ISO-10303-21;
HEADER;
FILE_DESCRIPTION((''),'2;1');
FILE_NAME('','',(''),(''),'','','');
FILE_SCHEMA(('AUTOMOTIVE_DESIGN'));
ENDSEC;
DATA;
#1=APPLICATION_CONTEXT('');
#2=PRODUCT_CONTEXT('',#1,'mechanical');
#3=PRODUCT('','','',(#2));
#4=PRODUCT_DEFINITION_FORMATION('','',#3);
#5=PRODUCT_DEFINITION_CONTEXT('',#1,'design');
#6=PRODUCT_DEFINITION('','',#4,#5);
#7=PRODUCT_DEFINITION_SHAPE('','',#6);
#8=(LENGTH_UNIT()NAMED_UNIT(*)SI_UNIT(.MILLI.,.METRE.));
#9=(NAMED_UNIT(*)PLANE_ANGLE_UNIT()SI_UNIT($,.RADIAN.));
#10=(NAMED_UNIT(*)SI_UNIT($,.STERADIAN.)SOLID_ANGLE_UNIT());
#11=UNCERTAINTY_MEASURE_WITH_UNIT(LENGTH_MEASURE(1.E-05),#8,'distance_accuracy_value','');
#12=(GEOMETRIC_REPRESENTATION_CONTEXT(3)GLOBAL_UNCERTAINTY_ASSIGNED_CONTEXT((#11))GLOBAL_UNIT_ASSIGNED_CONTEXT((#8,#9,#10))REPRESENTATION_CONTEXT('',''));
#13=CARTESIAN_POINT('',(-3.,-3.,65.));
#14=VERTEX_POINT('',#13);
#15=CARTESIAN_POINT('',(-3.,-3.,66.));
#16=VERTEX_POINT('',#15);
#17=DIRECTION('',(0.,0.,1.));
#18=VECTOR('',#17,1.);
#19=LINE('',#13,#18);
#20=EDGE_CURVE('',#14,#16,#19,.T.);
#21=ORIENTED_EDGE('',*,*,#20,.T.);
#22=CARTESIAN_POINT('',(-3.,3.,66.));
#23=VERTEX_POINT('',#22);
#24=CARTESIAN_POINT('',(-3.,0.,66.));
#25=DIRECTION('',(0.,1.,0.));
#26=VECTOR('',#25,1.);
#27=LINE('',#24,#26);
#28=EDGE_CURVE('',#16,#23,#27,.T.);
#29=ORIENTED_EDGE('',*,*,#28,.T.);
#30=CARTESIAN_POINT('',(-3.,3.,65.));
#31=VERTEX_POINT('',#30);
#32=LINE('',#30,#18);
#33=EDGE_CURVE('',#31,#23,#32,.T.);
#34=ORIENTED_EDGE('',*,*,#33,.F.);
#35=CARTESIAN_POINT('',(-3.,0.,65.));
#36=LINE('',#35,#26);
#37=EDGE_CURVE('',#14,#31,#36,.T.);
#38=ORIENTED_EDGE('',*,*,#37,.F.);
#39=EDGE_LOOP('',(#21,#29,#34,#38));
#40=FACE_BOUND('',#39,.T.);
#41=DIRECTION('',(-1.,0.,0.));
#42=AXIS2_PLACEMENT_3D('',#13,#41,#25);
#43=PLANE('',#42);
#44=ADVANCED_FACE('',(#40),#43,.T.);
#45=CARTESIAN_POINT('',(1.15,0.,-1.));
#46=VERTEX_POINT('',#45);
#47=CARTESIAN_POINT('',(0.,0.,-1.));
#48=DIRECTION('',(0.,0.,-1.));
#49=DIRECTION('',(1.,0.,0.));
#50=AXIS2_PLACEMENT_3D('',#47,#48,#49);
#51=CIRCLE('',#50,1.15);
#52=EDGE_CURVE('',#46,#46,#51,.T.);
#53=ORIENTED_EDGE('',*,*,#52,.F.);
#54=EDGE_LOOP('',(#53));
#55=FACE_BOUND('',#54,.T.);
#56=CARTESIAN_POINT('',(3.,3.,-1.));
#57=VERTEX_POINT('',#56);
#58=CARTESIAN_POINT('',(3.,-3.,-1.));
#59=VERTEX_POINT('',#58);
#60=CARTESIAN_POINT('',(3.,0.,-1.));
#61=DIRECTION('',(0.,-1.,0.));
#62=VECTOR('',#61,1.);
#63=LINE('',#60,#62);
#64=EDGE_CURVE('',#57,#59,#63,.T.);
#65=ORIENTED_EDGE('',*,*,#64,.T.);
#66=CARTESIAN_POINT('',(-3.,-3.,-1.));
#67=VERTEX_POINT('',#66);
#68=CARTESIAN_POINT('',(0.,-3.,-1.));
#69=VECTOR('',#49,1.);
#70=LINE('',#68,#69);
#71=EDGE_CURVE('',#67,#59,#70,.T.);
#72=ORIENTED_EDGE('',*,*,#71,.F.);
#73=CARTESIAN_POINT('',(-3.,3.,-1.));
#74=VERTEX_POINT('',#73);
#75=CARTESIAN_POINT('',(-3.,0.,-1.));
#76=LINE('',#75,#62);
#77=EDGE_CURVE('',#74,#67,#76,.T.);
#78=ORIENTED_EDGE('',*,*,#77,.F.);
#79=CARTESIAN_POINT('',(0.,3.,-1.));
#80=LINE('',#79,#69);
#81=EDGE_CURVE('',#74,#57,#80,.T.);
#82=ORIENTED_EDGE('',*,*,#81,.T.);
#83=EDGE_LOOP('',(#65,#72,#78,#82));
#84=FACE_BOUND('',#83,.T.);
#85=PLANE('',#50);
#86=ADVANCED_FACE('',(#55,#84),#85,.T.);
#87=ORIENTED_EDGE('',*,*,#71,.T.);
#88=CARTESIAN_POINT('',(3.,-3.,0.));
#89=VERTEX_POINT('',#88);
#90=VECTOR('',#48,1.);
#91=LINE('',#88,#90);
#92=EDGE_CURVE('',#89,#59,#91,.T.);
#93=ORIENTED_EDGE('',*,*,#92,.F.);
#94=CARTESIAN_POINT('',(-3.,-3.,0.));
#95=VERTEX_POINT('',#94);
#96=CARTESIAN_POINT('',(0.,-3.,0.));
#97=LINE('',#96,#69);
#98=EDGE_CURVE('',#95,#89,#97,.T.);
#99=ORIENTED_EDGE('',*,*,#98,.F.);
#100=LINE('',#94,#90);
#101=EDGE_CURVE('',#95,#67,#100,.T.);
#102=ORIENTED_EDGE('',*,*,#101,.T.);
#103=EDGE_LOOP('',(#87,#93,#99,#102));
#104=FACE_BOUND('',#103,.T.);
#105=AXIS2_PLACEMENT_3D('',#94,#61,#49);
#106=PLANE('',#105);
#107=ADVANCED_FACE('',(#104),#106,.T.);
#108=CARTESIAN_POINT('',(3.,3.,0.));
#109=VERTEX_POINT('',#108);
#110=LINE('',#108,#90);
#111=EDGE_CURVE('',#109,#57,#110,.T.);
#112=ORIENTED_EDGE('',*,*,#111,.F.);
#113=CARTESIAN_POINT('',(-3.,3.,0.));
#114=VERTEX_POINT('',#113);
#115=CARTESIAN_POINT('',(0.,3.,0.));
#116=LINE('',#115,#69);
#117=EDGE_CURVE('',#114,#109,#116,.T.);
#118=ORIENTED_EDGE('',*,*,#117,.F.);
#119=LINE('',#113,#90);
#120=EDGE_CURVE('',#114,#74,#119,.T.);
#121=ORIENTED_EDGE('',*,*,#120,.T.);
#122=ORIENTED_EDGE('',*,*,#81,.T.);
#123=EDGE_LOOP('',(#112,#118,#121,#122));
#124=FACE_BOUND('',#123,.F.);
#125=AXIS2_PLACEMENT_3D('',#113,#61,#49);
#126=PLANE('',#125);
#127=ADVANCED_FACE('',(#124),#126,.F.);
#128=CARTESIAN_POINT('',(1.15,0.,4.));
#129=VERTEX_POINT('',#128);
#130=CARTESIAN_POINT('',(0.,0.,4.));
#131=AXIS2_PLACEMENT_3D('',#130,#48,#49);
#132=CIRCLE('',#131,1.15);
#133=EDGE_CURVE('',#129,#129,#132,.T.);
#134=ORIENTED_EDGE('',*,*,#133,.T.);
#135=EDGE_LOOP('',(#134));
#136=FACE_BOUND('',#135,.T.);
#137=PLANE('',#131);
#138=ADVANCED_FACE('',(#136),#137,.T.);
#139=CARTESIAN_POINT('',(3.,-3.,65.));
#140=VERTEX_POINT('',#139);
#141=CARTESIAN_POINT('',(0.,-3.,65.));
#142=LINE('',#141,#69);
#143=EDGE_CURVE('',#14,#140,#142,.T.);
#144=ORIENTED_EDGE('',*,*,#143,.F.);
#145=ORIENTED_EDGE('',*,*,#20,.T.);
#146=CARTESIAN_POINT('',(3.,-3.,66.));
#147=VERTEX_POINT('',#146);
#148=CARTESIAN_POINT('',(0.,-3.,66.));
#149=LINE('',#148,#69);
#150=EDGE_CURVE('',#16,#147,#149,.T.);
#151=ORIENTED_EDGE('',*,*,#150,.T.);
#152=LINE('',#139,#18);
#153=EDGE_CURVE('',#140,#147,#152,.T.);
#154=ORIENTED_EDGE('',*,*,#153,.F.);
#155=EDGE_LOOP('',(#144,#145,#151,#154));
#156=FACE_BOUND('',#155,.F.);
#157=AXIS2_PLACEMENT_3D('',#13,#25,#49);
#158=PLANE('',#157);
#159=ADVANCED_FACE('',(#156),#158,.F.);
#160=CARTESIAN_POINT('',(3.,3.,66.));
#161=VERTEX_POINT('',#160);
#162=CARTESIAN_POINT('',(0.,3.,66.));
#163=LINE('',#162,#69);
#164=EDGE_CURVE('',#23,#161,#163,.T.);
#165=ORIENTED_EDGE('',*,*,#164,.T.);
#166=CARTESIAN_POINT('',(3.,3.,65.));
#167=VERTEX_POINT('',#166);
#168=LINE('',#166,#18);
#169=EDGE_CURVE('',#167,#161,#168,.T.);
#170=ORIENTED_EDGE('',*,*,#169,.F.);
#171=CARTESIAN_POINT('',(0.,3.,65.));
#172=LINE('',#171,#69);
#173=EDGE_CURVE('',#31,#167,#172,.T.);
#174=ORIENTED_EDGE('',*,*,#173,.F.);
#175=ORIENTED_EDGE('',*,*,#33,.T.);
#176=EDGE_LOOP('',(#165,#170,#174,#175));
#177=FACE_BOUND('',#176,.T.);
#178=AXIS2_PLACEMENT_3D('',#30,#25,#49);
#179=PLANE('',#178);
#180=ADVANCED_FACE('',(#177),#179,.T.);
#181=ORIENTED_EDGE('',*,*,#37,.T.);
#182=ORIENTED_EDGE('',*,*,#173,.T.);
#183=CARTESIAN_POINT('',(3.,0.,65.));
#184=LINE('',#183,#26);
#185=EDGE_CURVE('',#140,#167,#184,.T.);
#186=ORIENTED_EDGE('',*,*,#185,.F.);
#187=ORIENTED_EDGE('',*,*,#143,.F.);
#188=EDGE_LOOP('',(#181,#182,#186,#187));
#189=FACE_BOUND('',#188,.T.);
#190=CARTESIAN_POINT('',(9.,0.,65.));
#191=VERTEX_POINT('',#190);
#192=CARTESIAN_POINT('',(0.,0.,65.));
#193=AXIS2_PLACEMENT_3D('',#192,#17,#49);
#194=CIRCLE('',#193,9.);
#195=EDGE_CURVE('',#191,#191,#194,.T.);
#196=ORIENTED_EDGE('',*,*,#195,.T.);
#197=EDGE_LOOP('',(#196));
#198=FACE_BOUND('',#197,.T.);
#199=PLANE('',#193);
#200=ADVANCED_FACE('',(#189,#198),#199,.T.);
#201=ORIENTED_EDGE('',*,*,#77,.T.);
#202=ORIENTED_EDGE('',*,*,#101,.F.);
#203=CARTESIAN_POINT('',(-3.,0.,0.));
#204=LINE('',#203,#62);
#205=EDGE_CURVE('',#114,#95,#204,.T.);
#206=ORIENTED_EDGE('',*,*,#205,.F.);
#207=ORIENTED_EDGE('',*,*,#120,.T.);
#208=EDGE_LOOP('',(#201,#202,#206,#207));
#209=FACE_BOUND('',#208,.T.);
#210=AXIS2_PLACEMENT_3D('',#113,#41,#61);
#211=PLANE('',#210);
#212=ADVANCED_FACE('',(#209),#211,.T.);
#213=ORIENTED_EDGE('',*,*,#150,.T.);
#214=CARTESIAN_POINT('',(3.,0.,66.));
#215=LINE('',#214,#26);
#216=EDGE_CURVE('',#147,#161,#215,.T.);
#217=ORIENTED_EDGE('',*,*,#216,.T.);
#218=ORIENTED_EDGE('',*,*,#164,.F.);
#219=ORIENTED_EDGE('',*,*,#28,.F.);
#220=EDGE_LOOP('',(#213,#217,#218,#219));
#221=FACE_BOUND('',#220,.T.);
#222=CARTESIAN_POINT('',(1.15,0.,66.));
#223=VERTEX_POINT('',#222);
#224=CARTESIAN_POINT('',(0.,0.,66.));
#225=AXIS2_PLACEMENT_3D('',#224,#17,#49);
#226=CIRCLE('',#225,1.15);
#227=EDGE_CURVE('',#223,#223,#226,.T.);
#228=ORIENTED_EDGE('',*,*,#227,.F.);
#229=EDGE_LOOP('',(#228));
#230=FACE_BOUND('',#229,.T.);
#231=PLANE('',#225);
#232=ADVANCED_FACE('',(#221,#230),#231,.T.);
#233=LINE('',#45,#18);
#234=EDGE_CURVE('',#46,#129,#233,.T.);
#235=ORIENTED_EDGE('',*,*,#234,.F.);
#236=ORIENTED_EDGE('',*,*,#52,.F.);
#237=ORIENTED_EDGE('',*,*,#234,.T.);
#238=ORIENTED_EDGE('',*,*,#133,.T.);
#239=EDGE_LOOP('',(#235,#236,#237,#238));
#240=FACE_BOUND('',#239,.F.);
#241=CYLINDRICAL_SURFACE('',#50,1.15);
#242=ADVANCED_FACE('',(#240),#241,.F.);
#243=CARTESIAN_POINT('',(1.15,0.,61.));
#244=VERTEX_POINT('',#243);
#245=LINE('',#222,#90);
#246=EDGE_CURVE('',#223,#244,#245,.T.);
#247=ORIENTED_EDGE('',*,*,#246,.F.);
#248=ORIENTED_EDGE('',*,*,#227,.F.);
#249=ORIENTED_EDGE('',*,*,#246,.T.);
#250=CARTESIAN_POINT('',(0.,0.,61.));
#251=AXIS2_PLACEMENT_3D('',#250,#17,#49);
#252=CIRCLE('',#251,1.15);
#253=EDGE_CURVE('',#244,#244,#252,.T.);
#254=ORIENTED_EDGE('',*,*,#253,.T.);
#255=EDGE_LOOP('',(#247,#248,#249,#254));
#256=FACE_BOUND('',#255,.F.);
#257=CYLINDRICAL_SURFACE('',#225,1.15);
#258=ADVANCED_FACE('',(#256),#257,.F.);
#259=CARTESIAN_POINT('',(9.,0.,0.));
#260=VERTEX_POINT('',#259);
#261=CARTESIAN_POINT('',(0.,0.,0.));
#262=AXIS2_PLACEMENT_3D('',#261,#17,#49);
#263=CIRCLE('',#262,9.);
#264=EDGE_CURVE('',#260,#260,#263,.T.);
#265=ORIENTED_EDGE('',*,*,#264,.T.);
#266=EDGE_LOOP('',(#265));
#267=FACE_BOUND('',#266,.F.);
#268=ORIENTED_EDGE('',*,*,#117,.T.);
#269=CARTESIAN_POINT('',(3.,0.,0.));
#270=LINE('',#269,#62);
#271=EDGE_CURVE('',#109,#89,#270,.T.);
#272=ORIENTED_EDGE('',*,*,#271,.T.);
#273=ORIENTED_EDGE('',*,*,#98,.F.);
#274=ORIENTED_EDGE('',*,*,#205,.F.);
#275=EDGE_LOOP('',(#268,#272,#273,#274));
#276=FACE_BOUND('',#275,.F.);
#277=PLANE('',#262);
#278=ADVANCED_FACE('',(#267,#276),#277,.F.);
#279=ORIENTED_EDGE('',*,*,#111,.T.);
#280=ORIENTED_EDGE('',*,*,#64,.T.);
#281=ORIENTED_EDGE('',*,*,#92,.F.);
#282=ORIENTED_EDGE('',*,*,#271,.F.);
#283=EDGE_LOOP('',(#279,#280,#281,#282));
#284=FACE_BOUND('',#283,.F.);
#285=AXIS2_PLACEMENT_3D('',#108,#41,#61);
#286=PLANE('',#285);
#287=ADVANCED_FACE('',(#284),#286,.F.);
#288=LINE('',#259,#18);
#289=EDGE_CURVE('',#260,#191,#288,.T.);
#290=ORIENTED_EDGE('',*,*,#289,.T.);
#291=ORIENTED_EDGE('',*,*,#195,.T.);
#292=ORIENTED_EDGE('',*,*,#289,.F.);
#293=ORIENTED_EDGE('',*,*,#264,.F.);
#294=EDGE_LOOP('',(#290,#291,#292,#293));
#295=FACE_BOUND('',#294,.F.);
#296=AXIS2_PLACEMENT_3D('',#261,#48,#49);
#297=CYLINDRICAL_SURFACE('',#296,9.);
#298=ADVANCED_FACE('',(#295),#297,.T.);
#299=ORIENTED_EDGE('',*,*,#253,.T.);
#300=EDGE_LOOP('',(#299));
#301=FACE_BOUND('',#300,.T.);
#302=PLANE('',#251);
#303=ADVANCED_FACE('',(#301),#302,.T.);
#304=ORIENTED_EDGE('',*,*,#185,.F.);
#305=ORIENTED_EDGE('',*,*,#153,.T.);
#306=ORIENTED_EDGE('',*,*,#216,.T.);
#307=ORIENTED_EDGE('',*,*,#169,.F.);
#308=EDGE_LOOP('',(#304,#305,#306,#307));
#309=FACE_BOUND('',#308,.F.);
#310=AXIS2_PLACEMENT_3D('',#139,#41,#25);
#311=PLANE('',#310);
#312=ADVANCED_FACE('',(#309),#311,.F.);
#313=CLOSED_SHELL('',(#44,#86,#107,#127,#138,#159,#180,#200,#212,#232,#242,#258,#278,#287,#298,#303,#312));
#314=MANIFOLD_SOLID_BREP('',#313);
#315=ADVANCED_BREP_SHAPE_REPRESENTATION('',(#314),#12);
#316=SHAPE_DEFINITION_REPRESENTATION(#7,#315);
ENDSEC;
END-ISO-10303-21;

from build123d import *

# Parameters (mm, degrees)
SKETCH_R        = 9
PAD_DEPTH       = 65
SKETCH001_W     = 6
SKETCH001_H     = 6
PAD001_DEPTH    = 1
SKETCH002_R     = 1.15
POCKET_DEPTH    = 5
SKETCH003_W     = 6
SKETCH003_H     = 6
PAD002_DEPTH    = 1
SKETCH004_R     = 1.15
POCKET001_DEPTH = 5


with BuildPart() as part:
    # Sketch → Pad (new body)
    with BuildSketch(Plane.XY):
        Circle(SKETCH_R)
    extrude(amount=PAD_DEPTH)

    # Sketch001 (on Face3 of Pad) → Pad001 (join)
    with BuildSketch(Plane.XY.offset(65)):
        Rectangle(SKETCH001_W, SKETCH001_H)
    extrude(amount=PAD001_DEPTH)

    # Sketch002 (on Face8 of Pad001) → Pocket (cut)
    with BuildSketch(Plane.XY.offset(66)):
        Circle(SKETCH002_R)
    extrude(amount=-POCKET_DEPTH, mode=Mode.SUBTRACT)

    # Sketch003 (on Face2 of Pocket) → Pad002 (join)
    with BuildSketch(Plane(origin=(0, 0, 0), x_dir=(1, 0, 0), z_dir=(0, 0, -1))):
        Rectangle(SKETCH003_W, SKETCH003_H)
    extrude(amount=PAD002_DEPTH)

    # Sketch004 (on Face12 of Pad002) → Pocket001 (cut)
    with BuildSketch(Plane(origin=(0, 0, -1), x_dir=(1, 0, 0), z_dir=(0, 0, -1))):
        Circle(SKETCH004_R)
    extrude(amount=-POCKET001_DEPTH, mode=Mode.SUBTRACT)


solid = part.part
